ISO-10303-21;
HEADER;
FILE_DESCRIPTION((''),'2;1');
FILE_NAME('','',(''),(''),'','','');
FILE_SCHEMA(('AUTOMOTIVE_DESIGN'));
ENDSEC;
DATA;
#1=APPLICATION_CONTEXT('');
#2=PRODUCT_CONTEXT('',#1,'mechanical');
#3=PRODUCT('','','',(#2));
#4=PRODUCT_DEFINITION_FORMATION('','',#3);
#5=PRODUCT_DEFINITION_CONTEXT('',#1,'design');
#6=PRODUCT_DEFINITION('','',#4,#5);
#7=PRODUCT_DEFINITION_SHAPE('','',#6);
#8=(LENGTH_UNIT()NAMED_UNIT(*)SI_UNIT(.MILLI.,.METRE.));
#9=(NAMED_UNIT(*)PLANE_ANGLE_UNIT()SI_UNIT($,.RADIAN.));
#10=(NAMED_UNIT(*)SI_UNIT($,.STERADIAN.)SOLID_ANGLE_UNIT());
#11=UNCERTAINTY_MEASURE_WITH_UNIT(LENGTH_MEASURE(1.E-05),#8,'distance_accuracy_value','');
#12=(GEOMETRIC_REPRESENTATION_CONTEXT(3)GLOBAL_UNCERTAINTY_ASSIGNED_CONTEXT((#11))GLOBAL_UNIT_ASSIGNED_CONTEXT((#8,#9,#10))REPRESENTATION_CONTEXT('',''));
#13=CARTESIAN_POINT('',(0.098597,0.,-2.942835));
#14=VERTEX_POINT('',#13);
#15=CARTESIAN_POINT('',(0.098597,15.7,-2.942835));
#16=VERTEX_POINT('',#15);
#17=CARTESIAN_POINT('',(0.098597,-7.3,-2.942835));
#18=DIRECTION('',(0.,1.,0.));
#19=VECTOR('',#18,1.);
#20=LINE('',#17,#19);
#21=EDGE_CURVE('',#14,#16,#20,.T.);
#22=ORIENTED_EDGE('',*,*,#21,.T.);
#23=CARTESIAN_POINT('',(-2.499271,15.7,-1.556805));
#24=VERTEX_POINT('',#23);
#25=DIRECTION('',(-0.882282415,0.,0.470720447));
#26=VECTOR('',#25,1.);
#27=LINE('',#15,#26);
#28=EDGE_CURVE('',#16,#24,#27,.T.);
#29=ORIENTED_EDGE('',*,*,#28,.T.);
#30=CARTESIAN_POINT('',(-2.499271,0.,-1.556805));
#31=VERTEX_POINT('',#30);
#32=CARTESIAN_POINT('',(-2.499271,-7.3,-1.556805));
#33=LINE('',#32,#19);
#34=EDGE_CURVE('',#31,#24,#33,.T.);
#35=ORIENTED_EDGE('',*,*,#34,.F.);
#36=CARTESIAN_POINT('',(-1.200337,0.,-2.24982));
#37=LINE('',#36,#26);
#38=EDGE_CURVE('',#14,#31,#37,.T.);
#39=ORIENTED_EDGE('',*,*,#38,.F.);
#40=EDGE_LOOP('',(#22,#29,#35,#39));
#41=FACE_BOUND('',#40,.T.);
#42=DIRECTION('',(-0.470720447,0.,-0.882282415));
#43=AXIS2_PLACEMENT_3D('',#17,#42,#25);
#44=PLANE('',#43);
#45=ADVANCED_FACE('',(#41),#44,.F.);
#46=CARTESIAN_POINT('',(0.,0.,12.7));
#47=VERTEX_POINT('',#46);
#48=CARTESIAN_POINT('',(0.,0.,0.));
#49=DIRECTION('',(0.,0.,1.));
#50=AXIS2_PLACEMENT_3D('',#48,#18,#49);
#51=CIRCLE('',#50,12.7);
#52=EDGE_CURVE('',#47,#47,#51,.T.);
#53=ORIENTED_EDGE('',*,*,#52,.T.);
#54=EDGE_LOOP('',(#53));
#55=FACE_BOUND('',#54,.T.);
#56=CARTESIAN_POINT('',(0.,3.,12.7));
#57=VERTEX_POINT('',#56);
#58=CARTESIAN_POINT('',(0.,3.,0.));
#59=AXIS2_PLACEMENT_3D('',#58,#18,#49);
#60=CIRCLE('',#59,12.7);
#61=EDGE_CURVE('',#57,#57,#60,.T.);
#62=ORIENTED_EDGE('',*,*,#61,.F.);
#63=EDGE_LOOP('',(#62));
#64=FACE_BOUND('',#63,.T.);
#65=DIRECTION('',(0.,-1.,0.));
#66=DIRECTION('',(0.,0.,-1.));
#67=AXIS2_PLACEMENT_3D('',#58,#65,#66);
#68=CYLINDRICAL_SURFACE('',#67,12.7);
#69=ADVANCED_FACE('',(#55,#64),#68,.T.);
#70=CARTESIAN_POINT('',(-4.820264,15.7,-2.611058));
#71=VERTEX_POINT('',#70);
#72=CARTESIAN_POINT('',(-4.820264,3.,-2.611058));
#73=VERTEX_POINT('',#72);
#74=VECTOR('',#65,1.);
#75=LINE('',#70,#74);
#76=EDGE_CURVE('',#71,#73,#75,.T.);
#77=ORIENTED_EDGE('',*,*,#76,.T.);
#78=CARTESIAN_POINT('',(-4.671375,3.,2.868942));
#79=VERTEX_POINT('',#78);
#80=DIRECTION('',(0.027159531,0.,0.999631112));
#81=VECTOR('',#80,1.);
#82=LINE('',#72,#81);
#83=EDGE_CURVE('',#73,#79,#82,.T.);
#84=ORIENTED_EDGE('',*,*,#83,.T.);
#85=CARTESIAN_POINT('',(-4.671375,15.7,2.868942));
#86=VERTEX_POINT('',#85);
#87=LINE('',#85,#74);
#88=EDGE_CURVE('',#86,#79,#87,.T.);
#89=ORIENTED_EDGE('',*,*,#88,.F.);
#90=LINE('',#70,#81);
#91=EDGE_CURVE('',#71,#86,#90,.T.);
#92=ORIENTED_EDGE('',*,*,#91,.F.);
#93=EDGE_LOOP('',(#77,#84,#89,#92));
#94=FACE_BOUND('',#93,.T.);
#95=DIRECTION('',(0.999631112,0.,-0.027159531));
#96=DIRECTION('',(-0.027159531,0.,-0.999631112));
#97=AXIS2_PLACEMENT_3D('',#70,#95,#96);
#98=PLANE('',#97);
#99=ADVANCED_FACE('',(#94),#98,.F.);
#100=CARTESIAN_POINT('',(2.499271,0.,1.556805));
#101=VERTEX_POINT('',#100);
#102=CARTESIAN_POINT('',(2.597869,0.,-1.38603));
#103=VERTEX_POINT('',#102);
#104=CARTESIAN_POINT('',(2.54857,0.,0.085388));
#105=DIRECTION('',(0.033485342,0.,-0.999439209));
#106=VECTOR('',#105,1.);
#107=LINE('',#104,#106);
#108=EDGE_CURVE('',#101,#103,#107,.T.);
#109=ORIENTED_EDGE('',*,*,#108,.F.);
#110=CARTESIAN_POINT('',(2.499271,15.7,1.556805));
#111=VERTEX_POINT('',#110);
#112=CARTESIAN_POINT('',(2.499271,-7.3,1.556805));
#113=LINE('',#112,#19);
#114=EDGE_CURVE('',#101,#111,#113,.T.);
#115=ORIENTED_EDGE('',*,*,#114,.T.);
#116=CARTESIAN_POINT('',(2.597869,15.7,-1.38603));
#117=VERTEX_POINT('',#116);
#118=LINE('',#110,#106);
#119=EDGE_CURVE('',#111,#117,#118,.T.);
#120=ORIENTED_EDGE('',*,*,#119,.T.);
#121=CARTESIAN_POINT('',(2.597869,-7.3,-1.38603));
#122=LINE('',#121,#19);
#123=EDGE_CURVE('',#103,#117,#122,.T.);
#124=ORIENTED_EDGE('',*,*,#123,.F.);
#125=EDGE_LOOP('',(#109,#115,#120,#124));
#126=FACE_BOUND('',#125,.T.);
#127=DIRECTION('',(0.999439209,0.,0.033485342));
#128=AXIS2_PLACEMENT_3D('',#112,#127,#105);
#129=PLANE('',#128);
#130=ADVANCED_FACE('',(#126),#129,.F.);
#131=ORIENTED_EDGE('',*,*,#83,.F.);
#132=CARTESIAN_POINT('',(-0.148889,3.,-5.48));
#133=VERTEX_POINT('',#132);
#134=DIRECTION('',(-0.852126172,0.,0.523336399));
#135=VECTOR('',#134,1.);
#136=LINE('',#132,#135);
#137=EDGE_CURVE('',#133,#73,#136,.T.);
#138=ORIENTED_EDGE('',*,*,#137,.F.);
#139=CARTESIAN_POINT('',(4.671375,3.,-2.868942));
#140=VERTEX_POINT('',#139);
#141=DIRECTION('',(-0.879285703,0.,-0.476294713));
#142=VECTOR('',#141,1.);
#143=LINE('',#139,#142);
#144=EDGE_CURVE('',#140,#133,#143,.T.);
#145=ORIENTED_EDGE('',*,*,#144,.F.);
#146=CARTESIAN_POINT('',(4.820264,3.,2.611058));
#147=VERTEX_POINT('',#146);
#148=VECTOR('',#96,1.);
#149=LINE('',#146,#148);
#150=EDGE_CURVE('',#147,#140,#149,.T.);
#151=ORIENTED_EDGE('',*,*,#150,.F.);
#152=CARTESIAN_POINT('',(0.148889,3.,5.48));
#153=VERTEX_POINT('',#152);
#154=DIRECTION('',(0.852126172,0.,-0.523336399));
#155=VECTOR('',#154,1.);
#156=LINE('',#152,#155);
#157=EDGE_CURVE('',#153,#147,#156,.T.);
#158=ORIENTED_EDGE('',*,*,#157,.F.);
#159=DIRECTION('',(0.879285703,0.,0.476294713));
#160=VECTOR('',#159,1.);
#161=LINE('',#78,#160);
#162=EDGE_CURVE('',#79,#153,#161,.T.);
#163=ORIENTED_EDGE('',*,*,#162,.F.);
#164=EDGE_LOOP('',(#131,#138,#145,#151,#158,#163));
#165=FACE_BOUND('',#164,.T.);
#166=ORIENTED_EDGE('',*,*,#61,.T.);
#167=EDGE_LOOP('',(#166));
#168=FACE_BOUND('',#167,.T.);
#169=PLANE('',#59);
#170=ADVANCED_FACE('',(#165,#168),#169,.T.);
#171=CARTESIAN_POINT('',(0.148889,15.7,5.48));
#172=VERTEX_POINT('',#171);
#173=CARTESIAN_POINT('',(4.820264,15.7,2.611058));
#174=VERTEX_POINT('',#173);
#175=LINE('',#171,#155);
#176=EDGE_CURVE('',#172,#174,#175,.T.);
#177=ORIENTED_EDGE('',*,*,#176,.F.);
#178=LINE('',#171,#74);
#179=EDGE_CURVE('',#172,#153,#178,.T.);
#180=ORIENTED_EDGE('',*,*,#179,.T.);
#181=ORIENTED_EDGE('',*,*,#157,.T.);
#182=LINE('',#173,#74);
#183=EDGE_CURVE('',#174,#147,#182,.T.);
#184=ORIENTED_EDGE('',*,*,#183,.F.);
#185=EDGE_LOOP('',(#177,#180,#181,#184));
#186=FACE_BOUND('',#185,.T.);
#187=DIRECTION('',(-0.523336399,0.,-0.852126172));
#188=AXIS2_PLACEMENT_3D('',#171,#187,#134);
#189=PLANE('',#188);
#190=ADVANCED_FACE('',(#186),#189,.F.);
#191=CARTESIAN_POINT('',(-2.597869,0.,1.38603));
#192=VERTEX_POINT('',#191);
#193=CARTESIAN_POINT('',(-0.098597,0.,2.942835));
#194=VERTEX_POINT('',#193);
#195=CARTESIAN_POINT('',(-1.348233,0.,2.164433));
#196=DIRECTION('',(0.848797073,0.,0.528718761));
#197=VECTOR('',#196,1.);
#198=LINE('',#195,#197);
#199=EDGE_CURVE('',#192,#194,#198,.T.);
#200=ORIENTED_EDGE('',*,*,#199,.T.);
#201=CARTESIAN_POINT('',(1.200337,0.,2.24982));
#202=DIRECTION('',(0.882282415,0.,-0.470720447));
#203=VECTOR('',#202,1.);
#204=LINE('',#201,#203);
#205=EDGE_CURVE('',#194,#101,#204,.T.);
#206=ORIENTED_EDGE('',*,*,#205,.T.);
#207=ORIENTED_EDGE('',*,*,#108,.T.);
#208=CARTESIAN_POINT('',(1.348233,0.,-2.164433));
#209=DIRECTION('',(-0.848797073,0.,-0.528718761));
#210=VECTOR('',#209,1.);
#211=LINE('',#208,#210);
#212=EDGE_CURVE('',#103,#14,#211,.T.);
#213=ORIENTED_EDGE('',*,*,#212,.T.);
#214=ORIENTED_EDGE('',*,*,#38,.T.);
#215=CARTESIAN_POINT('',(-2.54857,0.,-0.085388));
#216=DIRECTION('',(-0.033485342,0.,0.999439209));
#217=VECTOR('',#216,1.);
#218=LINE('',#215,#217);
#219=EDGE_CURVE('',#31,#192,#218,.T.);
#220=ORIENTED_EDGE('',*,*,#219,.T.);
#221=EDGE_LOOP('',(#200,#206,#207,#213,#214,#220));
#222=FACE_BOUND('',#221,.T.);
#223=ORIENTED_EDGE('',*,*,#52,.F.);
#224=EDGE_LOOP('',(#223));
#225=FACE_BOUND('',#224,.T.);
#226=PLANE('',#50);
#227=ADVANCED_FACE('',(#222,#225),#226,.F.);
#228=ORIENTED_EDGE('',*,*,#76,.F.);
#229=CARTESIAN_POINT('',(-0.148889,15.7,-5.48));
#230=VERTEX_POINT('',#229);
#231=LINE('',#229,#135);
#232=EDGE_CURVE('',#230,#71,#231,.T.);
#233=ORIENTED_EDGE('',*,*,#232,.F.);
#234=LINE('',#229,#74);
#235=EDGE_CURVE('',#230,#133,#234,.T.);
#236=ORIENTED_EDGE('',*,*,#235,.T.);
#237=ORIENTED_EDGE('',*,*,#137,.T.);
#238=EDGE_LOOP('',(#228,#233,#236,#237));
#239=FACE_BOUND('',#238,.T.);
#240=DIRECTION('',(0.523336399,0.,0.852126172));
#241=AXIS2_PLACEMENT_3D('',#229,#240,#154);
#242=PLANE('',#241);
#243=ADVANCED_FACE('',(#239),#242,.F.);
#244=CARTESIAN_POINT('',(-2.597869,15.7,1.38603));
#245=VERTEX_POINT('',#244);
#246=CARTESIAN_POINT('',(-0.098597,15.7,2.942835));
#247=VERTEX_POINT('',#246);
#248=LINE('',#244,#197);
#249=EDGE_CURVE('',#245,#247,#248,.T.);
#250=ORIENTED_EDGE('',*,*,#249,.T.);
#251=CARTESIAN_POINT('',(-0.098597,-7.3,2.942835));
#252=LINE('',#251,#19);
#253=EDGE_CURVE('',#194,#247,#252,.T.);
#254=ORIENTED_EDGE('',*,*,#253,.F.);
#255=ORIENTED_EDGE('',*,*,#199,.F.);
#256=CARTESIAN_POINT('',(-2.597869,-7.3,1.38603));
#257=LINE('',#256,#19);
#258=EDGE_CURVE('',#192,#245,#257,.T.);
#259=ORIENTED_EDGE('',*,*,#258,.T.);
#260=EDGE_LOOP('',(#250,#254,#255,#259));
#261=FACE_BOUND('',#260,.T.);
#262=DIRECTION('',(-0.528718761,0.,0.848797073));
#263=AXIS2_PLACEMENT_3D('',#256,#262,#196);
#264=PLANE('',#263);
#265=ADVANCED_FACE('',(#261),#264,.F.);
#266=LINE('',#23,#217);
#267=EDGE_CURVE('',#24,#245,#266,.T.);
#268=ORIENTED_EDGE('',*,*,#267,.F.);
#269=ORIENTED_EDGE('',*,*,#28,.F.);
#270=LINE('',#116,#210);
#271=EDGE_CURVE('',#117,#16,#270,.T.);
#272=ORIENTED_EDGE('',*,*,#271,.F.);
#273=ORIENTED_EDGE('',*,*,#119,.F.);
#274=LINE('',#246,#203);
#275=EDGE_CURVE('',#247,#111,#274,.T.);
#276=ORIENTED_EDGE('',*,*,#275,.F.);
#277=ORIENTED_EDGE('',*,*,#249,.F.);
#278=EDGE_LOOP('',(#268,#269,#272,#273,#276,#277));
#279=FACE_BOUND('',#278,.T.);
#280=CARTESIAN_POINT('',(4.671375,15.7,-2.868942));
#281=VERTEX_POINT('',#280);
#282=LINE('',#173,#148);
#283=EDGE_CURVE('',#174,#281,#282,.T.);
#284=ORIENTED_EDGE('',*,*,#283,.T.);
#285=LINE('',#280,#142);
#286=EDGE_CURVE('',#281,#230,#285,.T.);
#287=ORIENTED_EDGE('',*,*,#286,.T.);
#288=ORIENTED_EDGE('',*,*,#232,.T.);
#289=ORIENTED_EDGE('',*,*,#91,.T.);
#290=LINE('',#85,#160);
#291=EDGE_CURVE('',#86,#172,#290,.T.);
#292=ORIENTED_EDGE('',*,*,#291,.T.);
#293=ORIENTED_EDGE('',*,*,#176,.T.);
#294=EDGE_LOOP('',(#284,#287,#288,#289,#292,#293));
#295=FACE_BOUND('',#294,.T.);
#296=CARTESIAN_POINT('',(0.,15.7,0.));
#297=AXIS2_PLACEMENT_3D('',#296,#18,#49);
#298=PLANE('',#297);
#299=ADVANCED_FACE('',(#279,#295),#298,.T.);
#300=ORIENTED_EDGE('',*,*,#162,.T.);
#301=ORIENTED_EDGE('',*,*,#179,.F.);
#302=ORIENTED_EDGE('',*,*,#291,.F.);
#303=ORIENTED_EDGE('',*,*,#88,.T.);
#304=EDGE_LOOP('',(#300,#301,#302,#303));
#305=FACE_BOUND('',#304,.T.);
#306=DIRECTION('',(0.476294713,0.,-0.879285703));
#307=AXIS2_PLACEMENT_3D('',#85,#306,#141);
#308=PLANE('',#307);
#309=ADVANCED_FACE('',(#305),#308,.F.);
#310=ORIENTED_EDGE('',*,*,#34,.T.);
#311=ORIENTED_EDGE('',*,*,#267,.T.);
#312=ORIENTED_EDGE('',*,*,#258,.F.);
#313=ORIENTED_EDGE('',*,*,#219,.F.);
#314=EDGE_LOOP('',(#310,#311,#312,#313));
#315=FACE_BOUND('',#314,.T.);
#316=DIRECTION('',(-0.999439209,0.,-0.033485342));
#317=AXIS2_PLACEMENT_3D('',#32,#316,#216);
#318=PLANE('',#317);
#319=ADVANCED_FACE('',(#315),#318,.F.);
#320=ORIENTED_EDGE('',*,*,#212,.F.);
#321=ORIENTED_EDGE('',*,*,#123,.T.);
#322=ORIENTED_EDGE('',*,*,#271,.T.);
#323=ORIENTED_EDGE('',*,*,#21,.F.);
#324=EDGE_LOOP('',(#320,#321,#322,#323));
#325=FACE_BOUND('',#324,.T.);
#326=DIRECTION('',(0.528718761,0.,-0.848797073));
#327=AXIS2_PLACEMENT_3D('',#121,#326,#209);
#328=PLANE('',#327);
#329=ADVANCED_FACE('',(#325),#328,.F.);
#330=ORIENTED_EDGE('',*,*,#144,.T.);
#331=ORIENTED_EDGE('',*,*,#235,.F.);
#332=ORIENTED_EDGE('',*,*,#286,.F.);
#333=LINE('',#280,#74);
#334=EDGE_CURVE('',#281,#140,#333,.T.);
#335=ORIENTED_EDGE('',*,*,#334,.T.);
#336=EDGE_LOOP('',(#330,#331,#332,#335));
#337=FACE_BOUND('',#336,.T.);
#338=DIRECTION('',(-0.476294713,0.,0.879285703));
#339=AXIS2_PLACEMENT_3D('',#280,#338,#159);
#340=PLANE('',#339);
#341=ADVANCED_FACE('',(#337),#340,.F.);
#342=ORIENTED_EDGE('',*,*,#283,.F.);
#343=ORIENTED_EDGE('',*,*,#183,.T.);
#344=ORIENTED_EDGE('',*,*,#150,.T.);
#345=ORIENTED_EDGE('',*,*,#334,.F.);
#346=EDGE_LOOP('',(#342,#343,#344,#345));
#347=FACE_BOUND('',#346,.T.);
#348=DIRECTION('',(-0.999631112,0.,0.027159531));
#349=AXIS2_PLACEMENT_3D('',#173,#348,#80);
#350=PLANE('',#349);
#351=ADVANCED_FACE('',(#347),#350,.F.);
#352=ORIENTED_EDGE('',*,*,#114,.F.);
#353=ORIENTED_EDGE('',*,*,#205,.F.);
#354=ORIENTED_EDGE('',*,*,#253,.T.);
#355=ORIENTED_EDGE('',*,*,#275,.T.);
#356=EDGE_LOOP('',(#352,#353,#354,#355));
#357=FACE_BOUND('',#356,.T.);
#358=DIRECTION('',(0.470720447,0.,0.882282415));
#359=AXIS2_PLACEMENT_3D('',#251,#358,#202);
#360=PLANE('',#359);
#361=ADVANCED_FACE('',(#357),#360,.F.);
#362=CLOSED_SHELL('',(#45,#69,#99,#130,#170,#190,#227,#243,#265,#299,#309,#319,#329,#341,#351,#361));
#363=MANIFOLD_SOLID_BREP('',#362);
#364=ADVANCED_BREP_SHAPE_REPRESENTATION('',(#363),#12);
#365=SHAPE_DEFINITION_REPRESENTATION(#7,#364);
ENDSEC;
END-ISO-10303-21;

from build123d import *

# Parameters (mm, degrees)
SKETCH1_R           = 12.7
BOSS_EXTRUDE1_DEPTH = 3
BOSS_EXTRUDE2_DEPTH = 12.7
CUT_EXTRUDE1_DEPTH  = 23


with BuildPart() as part:
    # Sketch1 → Boss-Extrude1 (new body)
    with BuildSketch(Plane(origin=(0, 0, 0), x_dir=(1, 0, 0), z_dir=(0, 1, 0))):
        with Locations(Location((0, 0, 0), (0, 0, 270))):
            Circle(SKETCH1_R)
    extrude(amount=BOSS_EXTRUDE1_DEPTH)

    # Sketch2 → Boss-Extrude2 (add)
    with BuildSketch(Plane(origin=(0, 3, 0), x_dir=(1, 0, 0), z_dir=(0, 1, 0))):
        Polygon((0.148889151, -5.48), (4.820263788, -2.611058213), (4.671374637, 2.868941787), (-0.148889151, 5.48), (-4.820263788, 2.611058213), (-4.671374637, -2.868941787), align=None)
    extrude(amount=BOSS_EXTRUDE2_DEPTH)

    # Sketch6 → Cut-Extrude1 (cut)
    with BuildSketch(Plane(origin=(0, 15.7, 0), x_dir=(1, 0, 0), z_dir=(0, 1, 0))):
        Polygon((-2.597868549, -1.386029942), (-0.098597134, -2.94283513), (2.499271415, -1.556805188), (2.597868549, 1.386029942), (0.098597134, 2.94283513), (-2.499271415, 1.556805188), align=None)
    extrude(amount=-CUT_EXTRUDE1_DEPTH, mode=Mode.SUBTRACT)


solid = part.part
